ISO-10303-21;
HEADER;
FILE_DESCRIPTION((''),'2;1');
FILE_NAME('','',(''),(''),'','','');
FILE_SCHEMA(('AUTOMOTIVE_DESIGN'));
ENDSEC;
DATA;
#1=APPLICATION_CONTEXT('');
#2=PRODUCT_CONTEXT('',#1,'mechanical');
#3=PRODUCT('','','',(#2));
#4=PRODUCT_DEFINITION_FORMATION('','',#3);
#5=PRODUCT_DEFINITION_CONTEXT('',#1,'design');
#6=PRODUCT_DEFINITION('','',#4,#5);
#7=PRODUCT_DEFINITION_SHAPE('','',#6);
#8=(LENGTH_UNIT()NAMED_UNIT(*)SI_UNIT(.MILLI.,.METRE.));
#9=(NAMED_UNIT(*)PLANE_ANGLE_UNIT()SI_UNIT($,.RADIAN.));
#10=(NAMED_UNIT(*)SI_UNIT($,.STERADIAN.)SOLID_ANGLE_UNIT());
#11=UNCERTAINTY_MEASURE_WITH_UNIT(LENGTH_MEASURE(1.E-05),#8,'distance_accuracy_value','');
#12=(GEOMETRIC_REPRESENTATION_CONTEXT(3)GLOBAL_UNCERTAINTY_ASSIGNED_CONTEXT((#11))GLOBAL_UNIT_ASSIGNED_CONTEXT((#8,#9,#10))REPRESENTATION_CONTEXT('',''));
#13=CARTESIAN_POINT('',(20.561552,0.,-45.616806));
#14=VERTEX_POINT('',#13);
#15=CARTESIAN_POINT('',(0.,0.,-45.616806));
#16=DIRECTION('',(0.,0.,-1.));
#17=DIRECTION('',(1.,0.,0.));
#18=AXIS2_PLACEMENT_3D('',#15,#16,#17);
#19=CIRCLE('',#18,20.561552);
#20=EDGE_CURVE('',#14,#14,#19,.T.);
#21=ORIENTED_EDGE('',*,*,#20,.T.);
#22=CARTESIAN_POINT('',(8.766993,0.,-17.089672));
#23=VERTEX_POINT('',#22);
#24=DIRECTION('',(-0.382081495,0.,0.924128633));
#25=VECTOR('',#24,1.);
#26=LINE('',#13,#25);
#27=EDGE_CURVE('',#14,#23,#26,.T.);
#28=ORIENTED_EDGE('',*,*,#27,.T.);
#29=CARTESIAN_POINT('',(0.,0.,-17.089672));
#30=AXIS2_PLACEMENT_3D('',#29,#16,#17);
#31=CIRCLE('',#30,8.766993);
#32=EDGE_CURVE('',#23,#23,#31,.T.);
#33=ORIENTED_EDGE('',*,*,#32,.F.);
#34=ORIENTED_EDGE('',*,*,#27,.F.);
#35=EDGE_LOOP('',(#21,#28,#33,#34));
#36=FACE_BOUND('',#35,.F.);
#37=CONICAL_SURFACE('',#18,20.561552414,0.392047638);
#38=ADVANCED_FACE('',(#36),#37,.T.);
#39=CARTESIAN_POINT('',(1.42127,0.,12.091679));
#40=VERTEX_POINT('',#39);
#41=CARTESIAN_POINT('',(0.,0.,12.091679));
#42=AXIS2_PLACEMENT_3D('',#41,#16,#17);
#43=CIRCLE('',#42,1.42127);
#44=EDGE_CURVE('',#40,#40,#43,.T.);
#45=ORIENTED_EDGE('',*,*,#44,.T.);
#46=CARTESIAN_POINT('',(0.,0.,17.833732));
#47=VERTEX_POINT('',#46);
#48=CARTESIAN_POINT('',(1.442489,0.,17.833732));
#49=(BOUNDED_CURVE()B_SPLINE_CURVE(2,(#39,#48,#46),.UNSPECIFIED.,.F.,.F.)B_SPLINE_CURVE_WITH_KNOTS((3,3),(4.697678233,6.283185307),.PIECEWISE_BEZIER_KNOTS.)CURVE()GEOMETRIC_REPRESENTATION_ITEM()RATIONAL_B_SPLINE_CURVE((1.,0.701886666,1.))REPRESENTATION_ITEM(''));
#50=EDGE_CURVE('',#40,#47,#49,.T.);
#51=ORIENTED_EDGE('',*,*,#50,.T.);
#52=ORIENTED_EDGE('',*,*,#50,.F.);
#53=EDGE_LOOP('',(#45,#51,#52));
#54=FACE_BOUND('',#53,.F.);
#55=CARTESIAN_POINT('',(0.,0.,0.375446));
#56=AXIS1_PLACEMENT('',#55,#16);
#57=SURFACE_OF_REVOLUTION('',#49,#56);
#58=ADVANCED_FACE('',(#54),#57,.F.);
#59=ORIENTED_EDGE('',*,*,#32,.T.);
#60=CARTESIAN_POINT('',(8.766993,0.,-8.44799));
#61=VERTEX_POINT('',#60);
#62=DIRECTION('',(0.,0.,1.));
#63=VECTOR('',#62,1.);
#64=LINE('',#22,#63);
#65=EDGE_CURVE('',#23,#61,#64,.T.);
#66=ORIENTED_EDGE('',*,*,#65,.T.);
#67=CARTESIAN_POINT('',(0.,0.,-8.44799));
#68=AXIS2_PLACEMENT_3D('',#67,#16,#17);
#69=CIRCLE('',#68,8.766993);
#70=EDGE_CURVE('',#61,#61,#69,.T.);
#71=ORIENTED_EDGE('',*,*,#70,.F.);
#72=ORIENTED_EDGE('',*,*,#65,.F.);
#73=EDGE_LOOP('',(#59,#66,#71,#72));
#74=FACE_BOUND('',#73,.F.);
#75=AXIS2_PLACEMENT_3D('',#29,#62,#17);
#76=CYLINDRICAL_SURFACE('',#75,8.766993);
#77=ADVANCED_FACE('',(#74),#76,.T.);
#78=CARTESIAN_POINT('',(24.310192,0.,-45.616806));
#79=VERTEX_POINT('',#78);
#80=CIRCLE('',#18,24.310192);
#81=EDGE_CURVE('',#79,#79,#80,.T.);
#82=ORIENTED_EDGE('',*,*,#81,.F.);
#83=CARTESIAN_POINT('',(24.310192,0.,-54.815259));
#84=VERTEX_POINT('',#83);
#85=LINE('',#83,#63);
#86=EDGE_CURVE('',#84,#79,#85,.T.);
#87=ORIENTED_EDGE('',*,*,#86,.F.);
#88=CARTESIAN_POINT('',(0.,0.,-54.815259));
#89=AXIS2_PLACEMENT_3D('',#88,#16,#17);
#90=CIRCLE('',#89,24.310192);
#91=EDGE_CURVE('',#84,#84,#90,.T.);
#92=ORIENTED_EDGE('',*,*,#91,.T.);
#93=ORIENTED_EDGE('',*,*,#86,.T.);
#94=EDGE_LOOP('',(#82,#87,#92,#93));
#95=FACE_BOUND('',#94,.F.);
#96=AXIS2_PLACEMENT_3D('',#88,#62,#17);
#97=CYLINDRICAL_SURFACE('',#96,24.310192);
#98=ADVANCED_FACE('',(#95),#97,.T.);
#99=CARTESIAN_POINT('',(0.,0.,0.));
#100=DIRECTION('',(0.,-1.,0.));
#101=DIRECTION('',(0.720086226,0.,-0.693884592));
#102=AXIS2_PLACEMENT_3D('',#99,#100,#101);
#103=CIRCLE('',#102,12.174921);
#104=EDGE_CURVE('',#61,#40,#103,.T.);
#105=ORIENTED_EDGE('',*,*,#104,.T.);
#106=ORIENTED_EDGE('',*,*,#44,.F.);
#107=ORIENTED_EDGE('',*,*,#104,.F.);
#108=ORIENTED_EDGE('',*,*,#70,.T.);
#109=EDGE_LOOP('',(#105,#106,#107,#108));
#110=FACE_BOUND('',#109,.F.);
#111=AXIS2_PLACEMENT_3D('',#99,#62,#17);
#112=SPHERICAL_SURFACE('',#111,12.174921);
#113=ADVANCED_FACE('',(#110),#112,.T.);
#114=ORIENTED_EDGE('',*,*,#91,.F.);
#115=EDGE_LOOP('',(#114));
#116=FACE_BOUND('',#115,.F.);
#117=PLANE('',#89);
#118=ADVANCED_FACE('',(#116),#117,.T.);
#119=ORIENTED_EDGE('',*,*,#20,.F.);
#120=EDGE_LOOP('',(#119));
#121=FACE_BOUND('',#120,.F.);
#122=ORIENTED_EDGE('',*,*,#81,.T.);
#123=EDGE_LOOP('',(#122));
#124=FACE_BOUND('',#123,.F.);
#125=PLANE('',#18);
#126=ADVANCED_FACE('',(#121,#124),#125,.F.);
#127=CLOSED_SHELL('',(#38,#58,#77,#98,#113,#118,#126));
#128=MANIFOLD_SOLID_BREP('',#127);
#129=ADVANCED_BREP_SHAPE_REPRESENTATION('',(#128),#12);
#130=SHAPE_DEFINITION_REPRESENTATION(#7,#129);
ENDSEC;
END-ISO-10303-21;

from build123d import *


with BuildPart() as f1:
    # F0 (on Front) → F1 (revolve)
    with BuildSketch(Plane.XZ):
        with BuildLine():
            Line((0, 17.8337320685), (0, -54.8152588308))
            Line((0, -54.8152588308), (24.3101920933, -54.8152588308))
            Line((24.3101920933, -54.8152588308), (24.3101920933, -45.6168055534))
            Line((24.3101920933, -45.6168055534), (20.561552414, -45.6168055534))
            Line((20.561552414, -45.6168055534), (8.7669930706, -17.0896715711))
            Line((8.7669930706, -17.0896715711), (8.7669930706, -8.4479902372))
            ThreePointArc((8.7669930706, -8.4479902372), (11.4638422011, 4.0998815271), (1.4212700133, 12.0916788783))
            add(Edge.make_bspline(
                [(1.4212700133, 12.0916788783), (1.4424893444, 17.8337320685), (0, 17.8337320685)],
                knots=[4.6976782329, 4.6976782329, 4.6976782329, 6.2831853072, 6.2831853072, 6.2831853072], degree=2, weights=[1, 0.7018866658, 1]))
        make_face()
    revolve(axis=Axis((0, 0, 0.3754459321), (0, 0, -1)))


solid = f1.part
